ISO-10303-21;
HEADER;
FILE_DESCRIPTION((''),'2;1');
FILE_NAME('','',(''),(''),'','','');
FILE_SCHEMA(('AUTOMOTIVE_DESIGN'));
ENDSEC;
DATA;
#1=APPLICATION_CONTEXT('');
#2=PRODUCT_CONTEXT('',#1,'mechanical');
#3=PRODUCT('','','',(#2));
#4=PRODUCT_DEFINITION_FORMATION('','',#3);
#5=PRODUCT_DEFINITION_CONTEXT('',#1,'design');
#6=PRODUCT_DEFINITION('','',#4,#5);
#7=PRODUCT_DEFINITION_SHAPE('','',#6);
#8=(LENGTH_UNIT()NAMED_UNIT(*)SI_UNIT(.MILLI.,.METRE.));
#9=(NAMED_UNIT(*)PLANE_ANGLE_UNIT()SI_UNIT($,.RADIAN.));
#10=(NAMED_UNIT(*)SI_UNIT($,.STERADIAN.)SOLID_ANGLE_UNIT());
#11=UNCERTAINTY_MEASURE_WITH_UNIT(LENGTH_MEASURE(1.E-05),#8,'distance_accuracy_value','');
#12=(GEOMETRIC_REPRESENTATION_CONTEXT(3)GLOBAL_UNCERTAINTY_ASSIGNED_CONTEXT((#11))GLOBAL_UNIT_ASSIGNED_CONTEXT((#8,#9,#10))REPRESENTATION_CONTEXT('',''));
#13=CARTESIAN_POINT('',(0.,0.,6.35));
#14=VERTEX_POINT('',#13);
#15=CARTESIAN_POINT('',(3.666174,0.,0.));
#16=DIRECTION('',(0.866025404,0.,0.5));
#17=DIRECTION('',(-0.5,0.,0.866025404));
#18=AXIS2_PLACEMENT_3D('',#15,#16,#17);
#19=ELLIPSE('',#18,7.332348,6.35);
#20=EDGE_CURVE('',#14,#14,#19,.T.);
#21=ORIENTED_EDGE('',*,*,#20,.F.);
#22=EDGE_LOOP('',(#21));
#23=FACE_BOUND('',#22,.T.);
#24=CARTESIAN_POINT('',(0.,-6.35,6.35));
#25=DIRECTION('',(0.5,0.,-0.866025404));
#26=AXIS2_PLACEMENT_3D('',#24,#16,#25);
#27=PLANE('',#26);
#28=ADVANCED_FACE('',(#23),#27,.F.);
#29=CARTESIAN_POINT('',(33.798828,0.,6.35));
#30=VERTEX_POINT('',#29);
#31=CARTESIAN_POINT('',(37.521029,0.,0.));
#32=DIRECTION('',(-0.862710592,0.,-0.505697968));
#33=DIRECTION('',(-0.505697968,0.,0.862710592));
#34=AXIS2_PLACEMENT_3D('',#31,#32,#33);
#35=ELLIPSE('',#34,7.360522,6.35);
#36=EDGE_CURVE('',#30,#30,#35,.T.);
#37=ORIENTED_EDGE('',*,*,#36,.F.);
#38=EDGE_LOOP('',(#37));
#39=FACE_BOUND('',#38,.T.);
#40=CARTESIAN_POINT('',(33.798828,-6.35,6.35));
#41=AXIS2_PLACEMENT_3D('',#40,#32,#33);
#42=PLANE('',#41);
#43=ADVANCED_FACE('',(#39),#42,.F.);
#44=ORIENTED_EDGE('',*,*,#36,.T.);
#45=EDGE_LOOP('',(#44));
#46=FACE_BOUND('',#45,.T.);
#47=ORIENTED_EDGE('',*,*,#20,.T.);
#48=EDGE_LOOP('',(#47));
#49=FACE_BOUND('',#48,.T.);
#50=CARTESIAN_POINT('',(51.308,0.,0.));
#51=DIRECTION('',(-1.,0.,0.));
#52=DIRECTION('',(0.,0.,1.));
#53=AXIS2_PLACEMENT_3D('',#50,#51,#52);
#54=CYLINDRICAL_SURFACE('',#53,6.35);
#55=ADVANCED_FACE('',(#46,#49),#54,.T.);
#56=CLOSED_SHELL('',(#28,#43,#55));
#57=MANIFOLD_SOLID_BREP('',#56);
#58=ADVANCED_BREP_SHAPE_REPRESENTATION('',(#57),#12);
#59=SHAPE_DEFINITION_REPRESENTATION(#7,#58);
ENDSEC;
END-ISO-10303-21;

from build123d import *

# Parameters (mm, degrees)
SKETCH1_R               = 6.35
BOSS_EXTRUDE1_DEPTH     = 51.308
CUT_EXTRUDE1_DEPTH      = 53.087962755
CUT_EXTRUDE1_DEPTH_BACK = 53.087962755
CUT_EXTRUDE2_DEPTH      = 53.087962755
CUT_EXTRUDE2_DEPTH_BACK = 53.087962755


with BuildPart() as part:
    # Sketch1 → Boss-Extrude1 (new body)
    with BuildSketch(Plane(origin=(0, 0, 0), x_dir=(0, 0, -1), z_dir=(1, 0, 0))):
        Circle(SKETCH1_R)
    extrude(amount=BOSS_EXTRUDE1_DEPTH)

    # Sketch2 → Cut-Extrude1 (cut, two sides: drawn at the far end of the back side and taken through both)
    with BuildSketch(Plane(origin=(0, 0, 0), x_dir=(1, 0, 0), z_dir=(0, 1, 0)).offset(-CUT_EXTRUDE1_DEPTH_BACK)):
        Polygon((0, -6.35), (7.332348419, 6.35), (0, 6.35), align=None)
    extrude(amount=CUT_EXTRUDE1_DEPTH + CUT_EXTRUDE1_DEPTH_BACK, mode=Mode.SUBTRACT)

    # Sketch3 → Cut-Extrude2 (cut, two sides: drawn at the far end of the back side and taken through both)
    with BuildSketch(Plane(origin=(0, 0, 0), x_dir=(1, 0, 0), z_dir=(0, 1, 0)).offset(-CUT_EXTRUDE2_DEPTH_BACK)):
        Polygon((33.798828355, -6.35), (41.24323005, 6.35), (51.308, 6.35), (51.308, -6.35), align=None)
    extrude(amount=CUT_EXTRUDE2_DEPTH + CUT_EXTRUDE2_DEPTH_BACK, mode=Mode.SUBTRACT)


solid = part.part
